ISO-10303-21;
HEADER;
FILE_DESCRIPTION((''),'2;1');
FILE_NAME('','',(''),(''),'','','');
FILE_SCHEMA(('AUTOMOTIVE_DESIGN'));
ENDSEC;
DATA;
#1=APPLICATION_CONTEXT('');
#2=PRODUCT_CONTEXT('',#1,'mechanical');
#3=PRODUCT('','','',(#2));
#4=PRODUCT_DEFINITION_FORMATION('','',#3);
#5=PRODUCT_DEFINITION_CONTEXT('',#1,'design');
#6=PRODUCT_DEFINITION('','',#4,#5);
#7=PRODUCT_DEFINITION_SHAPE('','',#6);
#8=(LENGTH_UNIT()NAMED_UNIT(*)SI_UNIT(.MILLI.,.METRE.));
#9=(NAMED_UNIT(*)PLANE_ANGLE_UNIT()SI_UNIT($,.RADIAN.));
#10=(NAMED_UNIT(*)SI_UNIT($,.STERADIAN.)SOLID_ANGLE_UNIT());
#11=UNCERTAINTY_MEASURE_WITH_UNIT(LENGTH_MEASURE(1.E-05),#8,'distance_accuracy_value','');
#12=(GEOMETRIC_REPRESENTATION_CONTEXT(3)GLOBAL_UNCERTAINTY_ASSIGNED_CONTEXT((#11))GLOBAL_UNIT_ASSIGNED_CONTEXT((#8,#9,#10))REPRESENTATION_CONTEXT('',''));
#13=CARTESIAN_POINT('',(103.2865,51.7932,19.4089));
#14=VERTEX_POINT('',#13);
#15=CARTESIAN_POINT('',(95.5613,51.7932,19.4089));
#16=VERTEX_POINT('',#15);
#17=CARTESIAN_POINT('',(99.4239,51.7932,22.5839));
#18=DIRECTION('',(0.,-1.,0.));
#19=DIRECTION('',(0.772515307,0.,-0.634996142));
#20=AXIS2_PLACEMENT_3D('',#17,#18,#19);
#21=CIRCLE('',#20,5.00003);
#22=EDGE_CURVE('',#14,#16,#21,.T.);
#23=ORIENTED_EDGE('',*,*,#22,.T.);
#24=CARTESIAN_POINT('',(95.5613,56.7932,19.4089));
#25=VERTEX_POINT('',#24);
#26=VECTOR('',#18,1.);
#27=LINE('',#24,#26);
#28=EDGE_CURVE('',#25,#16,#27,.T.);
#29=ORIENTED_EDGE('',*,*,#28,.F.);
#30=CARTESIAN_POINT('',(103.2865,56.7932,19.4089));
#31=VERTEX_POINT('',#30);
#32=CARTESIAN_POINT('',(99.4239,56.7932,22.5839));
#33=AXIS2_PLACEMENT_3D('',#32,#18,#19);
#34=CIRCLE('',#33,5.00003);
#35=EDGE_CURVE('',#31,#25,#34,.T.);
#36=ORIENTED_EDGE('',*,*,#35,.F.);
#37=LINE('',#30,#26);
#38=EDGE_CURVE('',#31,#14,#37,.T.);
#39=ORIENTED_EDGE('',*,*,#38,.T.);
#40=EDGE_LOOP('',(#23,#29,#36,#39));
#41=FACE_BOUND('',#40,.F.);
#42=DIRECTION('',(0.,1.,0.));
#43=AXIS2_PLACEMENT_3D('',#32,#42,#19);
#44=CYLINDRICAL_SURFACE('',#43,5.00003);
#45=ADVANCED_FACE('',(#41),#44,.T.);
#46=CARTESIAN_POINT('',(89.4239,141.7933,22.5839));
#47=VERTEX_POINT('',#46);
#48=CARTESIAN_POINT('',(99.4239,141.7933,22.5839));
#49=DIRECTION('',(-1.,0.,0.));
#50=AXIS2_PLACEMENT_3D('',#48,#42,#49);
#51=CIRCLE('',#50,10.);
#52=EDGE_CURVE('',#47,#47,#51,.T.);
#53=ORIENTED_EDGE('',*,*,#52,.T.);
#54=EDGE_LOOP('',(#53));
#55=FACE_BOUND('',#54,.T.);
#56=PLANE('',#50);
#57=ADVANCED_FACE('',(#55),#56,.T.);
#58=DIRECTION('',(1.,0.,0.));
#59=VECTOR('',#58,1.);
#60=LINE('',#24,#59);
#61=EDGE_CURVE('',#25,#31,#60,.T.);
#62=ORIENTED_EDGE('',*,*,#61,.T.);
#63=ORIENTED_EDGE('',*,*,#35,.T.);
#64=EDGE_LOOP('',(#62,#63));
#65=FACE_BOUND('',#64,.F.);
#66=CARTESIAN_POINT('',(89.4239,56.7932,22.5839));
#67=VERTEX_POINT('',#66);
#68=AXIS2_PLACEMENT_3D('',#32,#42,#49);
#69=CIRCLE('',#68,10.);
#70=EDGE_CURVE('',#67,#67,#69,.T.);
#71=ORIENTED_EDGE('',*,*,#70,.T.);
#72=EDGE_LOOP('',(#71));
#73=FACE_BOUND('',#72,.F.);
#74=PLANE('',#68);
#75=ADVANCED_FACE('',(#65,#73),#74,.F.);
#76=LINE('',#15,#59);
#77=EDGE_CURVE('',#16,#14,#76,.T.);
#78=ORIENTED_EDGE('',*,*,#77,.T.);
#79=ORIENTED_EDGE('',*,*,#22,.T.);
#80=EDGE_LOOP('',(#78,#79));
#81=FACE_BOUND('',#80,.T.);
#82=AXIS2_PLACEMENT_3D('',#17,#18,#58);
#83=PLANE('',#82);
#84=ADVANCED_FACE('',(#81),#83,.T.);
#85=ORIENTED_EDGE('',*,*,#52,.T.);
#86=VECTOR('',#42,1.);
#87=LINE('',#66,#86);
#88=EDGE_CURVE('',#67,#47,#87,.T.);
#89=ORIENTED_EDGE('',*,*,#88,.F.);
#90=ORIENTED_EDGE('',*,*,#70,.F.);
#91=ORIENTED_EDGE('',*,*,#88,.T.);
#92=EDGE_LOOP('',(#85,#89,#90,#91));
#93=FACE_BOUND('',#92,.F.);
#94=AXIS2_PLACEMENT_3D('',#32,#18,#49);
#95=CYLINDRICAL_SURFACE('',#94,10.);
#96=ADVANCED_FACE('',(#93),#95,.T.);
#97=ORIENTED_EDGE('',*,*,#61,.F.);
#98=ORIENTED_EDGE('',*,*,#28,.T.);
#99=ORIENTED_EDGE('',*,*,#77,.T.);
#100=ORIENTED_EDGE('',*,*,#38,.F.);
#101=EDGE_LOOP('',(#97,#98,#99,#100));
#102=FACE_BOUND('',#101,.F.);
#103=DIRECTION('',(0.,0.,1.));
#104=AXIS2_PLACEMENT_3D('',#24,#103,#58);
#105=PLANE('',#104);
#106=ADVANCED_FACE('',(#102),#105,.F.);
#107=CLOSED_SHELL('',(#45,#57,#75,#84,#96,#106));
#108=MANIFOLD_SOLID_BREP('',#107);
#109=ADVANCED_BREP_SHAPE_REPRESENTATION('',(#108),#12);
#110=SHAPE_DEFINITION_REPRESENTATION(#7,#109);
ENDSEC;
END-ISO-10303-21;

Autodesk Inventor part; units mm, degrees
ref_plane "YZ Plane" through (0, 0, 0) normal (1, 0, 0) x (0, 1, 0)
ref_plane "XZ Plane" through (0, 0, 0) normal (0, 1, 0) x (-1, 0, 0)
ref_plane "XY Plane" through (0, 0, 0) normal (0, 0, 1) x (1, 0, 0)
ref_plane "Work Plane1" through (99.4239, 56.7932, 22.5839) normal (0, 1, 0) x (-1, 0, 0)
sketch "Sketch1" plane through (99.4239, 56.7932, 22.5839) normal (0, 1, 0) x (-1, 0, 0)
  arc A0 (3.8626, -3.175) -> (-3.8626, -3.175) centre (0, 0) ccw projected
  line L0 (3.8626, -3.175) -> (-3.8626, -3.175) projected
  circle A1 centre (0, 0) radius 7.5 projected
  circle A2 centre (0, 0) radius 10 projected
  point P0 (99.4239, -22.5839)
extrude "Extrusion1" add sketch "Sketch1" along normal blind 85.0001 contours L0 A0 | A1 | A2
sketch "Sketch2" plane through (99.4239, 56.7932, 22.5839) normal (0, -1, 0) x (1, 0, 0)
  line L0 (-3.8626, -3.175) -> (3.8626, -3.175) projected
  arc A0 (3.8626, -3.175) -> (-3.8626, -3.175) centre (0, 0) ccw projected
  point P0 (-99.4239, -22.5839)
extrude "Extrusion2" add sketch "Sketch2" along normal blind 5
properties part number "motor_1.0"
